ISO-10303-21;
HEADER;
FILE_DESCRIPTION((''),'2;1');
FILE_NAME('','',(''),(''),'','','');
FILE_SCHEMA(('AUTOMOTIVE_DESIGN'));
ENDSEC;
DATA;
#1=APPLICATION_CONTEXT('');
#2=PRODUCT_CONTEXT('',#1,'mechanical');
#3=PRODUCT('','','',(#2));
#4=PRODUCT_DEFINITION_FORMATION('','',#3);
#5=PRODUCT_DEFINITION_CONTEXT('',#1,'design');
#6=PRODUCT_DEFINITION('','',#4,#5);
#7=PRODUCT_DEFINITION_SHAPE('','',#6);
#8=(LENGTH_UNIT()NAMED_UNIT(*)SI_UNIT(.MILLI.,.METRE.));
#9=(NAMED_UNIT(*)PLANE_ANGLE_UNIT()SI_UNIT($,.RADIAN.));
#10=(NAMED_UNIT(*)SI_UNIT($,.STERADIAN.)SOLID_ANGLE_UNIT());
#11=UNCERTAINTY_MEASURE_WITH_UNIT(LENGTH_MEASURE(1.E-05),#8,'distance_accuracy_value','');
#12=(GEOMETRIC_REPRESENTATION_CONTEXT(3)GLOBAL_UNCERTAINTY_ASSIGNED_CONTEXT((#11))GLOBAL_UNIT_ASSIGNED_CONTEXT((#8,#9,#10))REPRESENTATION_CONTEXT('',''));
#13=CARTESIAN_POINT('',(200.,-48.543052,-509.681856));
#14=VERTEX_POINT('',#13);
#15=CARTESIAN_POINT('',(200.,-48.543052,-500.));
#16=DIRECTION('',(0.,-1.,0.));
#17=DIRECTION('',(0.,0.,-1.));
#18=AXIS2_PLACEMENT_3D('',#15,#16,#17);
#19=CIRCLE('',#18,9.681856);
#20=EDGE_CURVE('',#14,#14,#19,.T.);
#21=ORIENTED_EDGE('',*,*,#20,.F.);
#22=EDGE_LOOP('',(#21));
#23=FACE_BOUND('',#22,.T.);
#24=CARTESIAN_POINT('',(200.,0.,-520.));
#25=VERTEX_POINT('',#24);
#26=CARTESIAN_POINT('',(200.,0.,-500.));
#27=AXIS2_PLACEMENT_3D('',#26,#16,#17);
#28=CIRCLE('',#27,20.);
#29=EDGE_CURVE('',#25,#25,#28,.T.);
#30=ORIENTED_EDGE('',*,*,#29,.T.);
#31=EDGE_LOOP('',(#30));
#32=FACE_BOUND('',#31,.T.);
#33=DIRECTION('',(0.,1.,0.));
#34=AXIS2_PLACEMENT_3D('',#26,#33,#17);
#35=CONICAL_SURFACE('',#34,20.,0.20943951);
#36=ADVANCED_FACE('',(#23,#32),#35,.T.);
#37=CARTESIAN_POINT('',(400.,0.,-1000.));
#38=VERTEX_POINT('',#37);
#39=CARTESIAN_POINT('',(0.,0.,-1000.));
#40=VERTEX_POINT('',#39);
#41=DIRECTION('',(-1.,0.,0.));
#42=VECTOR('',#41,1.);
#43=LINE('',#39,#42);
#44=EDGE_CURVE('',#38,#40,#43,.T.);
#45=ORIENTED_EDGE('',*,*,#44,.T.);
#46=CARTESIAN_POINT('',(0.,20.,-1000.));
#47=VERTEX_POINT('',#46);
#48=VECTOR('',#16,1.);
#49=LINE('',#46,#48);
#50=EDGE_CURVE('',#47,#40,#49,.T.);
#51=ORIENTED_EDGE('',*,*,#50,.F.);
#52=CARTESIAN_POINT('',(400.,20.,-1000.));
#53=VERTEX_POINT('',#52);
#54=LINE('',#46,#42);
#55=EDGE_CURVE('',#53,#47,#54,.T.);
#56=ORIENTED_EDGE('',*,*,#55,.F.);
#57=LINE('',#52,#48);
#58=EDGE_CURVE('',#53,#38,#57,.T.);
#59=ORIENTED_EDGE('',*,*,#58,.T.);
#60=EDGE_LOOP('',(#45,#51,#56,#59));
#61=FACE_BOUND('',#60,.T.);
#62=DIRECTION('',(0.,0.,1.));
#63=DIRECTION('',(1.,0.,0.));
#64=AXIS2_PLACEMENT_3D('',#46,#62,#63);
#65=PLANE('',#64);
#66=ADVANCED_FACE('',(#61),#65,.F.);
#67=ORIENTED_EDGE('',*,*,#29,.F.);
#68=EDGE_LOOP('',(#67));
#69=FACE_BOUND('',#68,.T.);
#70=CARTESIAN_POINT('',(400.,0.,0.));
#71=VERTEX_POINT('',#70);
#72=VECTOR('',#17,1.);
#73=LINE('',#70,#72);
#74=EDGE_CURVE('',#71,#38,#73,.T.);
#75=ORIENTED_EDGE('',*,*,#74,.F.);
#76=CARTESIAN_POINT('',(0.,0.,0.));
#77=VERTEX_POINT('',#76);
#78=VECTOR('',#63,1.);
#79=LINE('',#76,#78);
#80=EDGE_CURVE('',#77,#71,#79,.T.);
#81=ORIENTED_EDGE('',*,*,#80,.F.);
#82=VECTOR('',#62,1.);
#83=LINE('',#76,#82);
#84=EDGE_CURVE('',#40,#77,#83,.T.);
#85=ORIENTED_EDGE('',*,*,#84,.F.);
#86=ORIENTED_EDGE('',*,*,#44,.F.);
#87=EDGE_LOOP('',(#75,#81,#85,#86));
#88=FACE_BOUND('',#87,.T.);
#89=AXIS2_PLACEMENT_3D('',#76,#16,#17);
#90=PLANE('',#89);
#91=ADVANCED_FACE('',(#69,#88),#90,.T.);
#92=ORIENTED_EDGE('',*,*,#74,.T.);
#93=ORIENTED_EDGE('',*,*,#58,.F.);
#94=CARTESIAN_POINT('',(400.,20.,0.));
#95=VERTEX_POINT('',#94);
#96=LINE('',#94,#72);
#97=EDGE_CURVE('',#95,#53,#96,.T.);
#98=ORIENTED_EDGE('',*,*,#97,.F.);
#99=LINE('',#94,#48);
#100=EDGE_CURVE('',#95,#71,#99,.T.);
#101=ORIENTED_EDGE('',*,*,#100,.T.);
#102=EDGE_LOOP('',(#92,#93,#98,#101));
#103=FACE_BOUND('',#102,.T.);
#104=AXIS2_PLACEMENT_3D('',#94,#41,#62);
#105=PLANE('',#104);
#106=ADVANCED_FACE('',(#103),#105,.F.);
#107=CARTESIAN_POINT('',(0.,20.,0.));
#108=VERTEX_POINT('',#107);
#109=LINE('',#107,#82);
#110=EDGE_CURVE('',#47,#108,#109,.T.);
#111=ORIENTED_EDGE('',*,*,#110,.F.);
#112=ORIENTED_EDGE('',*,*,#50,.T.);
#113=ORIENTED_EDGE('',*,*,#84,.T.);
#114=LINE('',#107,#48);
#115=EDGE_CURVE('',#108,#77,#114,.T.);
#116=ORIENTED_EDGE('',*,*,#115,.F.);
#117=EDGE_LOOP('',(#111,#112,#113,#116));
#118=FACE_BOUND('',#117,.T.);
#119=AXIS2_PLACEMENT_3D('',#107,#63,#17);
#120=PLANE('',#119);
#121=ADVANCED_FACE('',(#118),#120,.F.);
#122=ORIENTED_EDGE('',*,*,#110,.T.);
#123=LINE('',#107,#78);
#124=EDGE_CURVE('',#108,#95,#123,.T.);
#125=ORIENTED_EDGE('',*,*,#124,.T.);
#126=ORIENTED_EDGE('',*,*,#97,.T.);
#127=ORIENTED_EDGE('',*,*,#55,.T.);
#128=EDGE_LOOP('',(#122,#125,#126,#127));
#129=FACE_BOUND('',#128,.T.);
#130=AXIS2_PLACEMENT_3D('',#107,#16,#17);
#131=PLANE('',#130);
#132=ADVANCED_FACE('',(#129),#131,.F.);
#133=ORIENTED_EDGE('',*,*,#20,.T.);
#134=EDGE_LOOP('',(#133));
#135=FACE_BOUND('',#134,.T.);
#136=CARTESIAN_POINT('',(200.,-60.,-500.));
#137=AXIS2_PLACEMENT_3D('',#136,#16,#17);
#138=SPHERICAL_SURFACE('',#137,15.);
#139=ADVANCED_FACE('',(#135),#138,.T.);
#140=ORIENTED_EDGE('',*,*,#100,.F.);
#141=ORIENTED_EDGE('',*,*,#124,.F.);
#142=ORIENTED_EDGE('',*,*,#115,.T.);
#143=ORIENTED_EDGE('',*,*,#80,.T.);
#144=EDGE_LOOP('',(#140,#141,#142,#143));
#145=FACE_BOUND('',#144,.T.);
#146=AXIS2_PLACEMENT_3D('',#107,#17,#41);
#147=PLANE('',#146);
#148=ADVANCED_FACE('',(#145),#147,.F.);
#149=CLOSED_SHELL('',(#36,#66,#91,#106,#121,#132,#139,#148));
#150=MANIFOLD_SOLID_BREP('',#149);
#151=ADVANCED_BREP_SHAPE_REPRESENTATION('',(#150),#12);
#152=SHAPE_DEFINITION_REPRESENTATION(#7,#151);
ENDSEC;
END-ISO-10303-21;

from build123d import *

# Parameters (mm, degrees)
SCHIZZO1_W                   = 400
SCHIZZO1_H                   = 1000
ESTRUSIONE_ESTRUSIONE1_DEPTH = 20
SCHIZZO2_R                   = 20
ESTRUSIONE_ESTRUSIONE2_DEPTH = 50
ESTRUSIONE_ESTRUSIONE2_TAPER = 12


with BuildPart() as part:
    # Schizzo1 → Estrusione-Estrusione1 (new body)
    with BuildSketch(Plane(origin=(0, 0, 0), x_dir=(1, 0, 0), z_dir=(0, 1, 0))):
        with Locations((200, 500)):
            Rectangle(SCHIZZO1_W, SCHIZZO1_H)
    extrude(amount=ESTRUSIONE_ESTRUSIONE1_DEPTH)

    # Schizzo2 → Estrusione-Estrusione2 (add)
    with BuildSketch(Plane(origin=(0, 0, 0), x_dir=(-1, 0, 0), z_dir=(0, -1, 0))):
        with Locations((-200, 500)):
            Circle(SCHIZZO2_R)
    extrude(amount=ESTRUSIONE_ESTRUSIONE2_DEPTH, taper=ESTRUSIONE_ESTRUSIONE2_TAPER)

    # Schizzo4 → Rivoluzione1 (revolve)
    with BuildSketch(Plane(origin=(200, 0, 0), x_dir=(0, 0, -1), z_dir=(1, 0, 0))):
        with BuildLine():
            Line((485, -60), (515, -60))
            ThreePointArc((515, -60), (500, -45), (485, -60))
        make_face()
    revolve(axis=Axis((200, -60, -485), (0, 0, -1)))


solid = part.part
